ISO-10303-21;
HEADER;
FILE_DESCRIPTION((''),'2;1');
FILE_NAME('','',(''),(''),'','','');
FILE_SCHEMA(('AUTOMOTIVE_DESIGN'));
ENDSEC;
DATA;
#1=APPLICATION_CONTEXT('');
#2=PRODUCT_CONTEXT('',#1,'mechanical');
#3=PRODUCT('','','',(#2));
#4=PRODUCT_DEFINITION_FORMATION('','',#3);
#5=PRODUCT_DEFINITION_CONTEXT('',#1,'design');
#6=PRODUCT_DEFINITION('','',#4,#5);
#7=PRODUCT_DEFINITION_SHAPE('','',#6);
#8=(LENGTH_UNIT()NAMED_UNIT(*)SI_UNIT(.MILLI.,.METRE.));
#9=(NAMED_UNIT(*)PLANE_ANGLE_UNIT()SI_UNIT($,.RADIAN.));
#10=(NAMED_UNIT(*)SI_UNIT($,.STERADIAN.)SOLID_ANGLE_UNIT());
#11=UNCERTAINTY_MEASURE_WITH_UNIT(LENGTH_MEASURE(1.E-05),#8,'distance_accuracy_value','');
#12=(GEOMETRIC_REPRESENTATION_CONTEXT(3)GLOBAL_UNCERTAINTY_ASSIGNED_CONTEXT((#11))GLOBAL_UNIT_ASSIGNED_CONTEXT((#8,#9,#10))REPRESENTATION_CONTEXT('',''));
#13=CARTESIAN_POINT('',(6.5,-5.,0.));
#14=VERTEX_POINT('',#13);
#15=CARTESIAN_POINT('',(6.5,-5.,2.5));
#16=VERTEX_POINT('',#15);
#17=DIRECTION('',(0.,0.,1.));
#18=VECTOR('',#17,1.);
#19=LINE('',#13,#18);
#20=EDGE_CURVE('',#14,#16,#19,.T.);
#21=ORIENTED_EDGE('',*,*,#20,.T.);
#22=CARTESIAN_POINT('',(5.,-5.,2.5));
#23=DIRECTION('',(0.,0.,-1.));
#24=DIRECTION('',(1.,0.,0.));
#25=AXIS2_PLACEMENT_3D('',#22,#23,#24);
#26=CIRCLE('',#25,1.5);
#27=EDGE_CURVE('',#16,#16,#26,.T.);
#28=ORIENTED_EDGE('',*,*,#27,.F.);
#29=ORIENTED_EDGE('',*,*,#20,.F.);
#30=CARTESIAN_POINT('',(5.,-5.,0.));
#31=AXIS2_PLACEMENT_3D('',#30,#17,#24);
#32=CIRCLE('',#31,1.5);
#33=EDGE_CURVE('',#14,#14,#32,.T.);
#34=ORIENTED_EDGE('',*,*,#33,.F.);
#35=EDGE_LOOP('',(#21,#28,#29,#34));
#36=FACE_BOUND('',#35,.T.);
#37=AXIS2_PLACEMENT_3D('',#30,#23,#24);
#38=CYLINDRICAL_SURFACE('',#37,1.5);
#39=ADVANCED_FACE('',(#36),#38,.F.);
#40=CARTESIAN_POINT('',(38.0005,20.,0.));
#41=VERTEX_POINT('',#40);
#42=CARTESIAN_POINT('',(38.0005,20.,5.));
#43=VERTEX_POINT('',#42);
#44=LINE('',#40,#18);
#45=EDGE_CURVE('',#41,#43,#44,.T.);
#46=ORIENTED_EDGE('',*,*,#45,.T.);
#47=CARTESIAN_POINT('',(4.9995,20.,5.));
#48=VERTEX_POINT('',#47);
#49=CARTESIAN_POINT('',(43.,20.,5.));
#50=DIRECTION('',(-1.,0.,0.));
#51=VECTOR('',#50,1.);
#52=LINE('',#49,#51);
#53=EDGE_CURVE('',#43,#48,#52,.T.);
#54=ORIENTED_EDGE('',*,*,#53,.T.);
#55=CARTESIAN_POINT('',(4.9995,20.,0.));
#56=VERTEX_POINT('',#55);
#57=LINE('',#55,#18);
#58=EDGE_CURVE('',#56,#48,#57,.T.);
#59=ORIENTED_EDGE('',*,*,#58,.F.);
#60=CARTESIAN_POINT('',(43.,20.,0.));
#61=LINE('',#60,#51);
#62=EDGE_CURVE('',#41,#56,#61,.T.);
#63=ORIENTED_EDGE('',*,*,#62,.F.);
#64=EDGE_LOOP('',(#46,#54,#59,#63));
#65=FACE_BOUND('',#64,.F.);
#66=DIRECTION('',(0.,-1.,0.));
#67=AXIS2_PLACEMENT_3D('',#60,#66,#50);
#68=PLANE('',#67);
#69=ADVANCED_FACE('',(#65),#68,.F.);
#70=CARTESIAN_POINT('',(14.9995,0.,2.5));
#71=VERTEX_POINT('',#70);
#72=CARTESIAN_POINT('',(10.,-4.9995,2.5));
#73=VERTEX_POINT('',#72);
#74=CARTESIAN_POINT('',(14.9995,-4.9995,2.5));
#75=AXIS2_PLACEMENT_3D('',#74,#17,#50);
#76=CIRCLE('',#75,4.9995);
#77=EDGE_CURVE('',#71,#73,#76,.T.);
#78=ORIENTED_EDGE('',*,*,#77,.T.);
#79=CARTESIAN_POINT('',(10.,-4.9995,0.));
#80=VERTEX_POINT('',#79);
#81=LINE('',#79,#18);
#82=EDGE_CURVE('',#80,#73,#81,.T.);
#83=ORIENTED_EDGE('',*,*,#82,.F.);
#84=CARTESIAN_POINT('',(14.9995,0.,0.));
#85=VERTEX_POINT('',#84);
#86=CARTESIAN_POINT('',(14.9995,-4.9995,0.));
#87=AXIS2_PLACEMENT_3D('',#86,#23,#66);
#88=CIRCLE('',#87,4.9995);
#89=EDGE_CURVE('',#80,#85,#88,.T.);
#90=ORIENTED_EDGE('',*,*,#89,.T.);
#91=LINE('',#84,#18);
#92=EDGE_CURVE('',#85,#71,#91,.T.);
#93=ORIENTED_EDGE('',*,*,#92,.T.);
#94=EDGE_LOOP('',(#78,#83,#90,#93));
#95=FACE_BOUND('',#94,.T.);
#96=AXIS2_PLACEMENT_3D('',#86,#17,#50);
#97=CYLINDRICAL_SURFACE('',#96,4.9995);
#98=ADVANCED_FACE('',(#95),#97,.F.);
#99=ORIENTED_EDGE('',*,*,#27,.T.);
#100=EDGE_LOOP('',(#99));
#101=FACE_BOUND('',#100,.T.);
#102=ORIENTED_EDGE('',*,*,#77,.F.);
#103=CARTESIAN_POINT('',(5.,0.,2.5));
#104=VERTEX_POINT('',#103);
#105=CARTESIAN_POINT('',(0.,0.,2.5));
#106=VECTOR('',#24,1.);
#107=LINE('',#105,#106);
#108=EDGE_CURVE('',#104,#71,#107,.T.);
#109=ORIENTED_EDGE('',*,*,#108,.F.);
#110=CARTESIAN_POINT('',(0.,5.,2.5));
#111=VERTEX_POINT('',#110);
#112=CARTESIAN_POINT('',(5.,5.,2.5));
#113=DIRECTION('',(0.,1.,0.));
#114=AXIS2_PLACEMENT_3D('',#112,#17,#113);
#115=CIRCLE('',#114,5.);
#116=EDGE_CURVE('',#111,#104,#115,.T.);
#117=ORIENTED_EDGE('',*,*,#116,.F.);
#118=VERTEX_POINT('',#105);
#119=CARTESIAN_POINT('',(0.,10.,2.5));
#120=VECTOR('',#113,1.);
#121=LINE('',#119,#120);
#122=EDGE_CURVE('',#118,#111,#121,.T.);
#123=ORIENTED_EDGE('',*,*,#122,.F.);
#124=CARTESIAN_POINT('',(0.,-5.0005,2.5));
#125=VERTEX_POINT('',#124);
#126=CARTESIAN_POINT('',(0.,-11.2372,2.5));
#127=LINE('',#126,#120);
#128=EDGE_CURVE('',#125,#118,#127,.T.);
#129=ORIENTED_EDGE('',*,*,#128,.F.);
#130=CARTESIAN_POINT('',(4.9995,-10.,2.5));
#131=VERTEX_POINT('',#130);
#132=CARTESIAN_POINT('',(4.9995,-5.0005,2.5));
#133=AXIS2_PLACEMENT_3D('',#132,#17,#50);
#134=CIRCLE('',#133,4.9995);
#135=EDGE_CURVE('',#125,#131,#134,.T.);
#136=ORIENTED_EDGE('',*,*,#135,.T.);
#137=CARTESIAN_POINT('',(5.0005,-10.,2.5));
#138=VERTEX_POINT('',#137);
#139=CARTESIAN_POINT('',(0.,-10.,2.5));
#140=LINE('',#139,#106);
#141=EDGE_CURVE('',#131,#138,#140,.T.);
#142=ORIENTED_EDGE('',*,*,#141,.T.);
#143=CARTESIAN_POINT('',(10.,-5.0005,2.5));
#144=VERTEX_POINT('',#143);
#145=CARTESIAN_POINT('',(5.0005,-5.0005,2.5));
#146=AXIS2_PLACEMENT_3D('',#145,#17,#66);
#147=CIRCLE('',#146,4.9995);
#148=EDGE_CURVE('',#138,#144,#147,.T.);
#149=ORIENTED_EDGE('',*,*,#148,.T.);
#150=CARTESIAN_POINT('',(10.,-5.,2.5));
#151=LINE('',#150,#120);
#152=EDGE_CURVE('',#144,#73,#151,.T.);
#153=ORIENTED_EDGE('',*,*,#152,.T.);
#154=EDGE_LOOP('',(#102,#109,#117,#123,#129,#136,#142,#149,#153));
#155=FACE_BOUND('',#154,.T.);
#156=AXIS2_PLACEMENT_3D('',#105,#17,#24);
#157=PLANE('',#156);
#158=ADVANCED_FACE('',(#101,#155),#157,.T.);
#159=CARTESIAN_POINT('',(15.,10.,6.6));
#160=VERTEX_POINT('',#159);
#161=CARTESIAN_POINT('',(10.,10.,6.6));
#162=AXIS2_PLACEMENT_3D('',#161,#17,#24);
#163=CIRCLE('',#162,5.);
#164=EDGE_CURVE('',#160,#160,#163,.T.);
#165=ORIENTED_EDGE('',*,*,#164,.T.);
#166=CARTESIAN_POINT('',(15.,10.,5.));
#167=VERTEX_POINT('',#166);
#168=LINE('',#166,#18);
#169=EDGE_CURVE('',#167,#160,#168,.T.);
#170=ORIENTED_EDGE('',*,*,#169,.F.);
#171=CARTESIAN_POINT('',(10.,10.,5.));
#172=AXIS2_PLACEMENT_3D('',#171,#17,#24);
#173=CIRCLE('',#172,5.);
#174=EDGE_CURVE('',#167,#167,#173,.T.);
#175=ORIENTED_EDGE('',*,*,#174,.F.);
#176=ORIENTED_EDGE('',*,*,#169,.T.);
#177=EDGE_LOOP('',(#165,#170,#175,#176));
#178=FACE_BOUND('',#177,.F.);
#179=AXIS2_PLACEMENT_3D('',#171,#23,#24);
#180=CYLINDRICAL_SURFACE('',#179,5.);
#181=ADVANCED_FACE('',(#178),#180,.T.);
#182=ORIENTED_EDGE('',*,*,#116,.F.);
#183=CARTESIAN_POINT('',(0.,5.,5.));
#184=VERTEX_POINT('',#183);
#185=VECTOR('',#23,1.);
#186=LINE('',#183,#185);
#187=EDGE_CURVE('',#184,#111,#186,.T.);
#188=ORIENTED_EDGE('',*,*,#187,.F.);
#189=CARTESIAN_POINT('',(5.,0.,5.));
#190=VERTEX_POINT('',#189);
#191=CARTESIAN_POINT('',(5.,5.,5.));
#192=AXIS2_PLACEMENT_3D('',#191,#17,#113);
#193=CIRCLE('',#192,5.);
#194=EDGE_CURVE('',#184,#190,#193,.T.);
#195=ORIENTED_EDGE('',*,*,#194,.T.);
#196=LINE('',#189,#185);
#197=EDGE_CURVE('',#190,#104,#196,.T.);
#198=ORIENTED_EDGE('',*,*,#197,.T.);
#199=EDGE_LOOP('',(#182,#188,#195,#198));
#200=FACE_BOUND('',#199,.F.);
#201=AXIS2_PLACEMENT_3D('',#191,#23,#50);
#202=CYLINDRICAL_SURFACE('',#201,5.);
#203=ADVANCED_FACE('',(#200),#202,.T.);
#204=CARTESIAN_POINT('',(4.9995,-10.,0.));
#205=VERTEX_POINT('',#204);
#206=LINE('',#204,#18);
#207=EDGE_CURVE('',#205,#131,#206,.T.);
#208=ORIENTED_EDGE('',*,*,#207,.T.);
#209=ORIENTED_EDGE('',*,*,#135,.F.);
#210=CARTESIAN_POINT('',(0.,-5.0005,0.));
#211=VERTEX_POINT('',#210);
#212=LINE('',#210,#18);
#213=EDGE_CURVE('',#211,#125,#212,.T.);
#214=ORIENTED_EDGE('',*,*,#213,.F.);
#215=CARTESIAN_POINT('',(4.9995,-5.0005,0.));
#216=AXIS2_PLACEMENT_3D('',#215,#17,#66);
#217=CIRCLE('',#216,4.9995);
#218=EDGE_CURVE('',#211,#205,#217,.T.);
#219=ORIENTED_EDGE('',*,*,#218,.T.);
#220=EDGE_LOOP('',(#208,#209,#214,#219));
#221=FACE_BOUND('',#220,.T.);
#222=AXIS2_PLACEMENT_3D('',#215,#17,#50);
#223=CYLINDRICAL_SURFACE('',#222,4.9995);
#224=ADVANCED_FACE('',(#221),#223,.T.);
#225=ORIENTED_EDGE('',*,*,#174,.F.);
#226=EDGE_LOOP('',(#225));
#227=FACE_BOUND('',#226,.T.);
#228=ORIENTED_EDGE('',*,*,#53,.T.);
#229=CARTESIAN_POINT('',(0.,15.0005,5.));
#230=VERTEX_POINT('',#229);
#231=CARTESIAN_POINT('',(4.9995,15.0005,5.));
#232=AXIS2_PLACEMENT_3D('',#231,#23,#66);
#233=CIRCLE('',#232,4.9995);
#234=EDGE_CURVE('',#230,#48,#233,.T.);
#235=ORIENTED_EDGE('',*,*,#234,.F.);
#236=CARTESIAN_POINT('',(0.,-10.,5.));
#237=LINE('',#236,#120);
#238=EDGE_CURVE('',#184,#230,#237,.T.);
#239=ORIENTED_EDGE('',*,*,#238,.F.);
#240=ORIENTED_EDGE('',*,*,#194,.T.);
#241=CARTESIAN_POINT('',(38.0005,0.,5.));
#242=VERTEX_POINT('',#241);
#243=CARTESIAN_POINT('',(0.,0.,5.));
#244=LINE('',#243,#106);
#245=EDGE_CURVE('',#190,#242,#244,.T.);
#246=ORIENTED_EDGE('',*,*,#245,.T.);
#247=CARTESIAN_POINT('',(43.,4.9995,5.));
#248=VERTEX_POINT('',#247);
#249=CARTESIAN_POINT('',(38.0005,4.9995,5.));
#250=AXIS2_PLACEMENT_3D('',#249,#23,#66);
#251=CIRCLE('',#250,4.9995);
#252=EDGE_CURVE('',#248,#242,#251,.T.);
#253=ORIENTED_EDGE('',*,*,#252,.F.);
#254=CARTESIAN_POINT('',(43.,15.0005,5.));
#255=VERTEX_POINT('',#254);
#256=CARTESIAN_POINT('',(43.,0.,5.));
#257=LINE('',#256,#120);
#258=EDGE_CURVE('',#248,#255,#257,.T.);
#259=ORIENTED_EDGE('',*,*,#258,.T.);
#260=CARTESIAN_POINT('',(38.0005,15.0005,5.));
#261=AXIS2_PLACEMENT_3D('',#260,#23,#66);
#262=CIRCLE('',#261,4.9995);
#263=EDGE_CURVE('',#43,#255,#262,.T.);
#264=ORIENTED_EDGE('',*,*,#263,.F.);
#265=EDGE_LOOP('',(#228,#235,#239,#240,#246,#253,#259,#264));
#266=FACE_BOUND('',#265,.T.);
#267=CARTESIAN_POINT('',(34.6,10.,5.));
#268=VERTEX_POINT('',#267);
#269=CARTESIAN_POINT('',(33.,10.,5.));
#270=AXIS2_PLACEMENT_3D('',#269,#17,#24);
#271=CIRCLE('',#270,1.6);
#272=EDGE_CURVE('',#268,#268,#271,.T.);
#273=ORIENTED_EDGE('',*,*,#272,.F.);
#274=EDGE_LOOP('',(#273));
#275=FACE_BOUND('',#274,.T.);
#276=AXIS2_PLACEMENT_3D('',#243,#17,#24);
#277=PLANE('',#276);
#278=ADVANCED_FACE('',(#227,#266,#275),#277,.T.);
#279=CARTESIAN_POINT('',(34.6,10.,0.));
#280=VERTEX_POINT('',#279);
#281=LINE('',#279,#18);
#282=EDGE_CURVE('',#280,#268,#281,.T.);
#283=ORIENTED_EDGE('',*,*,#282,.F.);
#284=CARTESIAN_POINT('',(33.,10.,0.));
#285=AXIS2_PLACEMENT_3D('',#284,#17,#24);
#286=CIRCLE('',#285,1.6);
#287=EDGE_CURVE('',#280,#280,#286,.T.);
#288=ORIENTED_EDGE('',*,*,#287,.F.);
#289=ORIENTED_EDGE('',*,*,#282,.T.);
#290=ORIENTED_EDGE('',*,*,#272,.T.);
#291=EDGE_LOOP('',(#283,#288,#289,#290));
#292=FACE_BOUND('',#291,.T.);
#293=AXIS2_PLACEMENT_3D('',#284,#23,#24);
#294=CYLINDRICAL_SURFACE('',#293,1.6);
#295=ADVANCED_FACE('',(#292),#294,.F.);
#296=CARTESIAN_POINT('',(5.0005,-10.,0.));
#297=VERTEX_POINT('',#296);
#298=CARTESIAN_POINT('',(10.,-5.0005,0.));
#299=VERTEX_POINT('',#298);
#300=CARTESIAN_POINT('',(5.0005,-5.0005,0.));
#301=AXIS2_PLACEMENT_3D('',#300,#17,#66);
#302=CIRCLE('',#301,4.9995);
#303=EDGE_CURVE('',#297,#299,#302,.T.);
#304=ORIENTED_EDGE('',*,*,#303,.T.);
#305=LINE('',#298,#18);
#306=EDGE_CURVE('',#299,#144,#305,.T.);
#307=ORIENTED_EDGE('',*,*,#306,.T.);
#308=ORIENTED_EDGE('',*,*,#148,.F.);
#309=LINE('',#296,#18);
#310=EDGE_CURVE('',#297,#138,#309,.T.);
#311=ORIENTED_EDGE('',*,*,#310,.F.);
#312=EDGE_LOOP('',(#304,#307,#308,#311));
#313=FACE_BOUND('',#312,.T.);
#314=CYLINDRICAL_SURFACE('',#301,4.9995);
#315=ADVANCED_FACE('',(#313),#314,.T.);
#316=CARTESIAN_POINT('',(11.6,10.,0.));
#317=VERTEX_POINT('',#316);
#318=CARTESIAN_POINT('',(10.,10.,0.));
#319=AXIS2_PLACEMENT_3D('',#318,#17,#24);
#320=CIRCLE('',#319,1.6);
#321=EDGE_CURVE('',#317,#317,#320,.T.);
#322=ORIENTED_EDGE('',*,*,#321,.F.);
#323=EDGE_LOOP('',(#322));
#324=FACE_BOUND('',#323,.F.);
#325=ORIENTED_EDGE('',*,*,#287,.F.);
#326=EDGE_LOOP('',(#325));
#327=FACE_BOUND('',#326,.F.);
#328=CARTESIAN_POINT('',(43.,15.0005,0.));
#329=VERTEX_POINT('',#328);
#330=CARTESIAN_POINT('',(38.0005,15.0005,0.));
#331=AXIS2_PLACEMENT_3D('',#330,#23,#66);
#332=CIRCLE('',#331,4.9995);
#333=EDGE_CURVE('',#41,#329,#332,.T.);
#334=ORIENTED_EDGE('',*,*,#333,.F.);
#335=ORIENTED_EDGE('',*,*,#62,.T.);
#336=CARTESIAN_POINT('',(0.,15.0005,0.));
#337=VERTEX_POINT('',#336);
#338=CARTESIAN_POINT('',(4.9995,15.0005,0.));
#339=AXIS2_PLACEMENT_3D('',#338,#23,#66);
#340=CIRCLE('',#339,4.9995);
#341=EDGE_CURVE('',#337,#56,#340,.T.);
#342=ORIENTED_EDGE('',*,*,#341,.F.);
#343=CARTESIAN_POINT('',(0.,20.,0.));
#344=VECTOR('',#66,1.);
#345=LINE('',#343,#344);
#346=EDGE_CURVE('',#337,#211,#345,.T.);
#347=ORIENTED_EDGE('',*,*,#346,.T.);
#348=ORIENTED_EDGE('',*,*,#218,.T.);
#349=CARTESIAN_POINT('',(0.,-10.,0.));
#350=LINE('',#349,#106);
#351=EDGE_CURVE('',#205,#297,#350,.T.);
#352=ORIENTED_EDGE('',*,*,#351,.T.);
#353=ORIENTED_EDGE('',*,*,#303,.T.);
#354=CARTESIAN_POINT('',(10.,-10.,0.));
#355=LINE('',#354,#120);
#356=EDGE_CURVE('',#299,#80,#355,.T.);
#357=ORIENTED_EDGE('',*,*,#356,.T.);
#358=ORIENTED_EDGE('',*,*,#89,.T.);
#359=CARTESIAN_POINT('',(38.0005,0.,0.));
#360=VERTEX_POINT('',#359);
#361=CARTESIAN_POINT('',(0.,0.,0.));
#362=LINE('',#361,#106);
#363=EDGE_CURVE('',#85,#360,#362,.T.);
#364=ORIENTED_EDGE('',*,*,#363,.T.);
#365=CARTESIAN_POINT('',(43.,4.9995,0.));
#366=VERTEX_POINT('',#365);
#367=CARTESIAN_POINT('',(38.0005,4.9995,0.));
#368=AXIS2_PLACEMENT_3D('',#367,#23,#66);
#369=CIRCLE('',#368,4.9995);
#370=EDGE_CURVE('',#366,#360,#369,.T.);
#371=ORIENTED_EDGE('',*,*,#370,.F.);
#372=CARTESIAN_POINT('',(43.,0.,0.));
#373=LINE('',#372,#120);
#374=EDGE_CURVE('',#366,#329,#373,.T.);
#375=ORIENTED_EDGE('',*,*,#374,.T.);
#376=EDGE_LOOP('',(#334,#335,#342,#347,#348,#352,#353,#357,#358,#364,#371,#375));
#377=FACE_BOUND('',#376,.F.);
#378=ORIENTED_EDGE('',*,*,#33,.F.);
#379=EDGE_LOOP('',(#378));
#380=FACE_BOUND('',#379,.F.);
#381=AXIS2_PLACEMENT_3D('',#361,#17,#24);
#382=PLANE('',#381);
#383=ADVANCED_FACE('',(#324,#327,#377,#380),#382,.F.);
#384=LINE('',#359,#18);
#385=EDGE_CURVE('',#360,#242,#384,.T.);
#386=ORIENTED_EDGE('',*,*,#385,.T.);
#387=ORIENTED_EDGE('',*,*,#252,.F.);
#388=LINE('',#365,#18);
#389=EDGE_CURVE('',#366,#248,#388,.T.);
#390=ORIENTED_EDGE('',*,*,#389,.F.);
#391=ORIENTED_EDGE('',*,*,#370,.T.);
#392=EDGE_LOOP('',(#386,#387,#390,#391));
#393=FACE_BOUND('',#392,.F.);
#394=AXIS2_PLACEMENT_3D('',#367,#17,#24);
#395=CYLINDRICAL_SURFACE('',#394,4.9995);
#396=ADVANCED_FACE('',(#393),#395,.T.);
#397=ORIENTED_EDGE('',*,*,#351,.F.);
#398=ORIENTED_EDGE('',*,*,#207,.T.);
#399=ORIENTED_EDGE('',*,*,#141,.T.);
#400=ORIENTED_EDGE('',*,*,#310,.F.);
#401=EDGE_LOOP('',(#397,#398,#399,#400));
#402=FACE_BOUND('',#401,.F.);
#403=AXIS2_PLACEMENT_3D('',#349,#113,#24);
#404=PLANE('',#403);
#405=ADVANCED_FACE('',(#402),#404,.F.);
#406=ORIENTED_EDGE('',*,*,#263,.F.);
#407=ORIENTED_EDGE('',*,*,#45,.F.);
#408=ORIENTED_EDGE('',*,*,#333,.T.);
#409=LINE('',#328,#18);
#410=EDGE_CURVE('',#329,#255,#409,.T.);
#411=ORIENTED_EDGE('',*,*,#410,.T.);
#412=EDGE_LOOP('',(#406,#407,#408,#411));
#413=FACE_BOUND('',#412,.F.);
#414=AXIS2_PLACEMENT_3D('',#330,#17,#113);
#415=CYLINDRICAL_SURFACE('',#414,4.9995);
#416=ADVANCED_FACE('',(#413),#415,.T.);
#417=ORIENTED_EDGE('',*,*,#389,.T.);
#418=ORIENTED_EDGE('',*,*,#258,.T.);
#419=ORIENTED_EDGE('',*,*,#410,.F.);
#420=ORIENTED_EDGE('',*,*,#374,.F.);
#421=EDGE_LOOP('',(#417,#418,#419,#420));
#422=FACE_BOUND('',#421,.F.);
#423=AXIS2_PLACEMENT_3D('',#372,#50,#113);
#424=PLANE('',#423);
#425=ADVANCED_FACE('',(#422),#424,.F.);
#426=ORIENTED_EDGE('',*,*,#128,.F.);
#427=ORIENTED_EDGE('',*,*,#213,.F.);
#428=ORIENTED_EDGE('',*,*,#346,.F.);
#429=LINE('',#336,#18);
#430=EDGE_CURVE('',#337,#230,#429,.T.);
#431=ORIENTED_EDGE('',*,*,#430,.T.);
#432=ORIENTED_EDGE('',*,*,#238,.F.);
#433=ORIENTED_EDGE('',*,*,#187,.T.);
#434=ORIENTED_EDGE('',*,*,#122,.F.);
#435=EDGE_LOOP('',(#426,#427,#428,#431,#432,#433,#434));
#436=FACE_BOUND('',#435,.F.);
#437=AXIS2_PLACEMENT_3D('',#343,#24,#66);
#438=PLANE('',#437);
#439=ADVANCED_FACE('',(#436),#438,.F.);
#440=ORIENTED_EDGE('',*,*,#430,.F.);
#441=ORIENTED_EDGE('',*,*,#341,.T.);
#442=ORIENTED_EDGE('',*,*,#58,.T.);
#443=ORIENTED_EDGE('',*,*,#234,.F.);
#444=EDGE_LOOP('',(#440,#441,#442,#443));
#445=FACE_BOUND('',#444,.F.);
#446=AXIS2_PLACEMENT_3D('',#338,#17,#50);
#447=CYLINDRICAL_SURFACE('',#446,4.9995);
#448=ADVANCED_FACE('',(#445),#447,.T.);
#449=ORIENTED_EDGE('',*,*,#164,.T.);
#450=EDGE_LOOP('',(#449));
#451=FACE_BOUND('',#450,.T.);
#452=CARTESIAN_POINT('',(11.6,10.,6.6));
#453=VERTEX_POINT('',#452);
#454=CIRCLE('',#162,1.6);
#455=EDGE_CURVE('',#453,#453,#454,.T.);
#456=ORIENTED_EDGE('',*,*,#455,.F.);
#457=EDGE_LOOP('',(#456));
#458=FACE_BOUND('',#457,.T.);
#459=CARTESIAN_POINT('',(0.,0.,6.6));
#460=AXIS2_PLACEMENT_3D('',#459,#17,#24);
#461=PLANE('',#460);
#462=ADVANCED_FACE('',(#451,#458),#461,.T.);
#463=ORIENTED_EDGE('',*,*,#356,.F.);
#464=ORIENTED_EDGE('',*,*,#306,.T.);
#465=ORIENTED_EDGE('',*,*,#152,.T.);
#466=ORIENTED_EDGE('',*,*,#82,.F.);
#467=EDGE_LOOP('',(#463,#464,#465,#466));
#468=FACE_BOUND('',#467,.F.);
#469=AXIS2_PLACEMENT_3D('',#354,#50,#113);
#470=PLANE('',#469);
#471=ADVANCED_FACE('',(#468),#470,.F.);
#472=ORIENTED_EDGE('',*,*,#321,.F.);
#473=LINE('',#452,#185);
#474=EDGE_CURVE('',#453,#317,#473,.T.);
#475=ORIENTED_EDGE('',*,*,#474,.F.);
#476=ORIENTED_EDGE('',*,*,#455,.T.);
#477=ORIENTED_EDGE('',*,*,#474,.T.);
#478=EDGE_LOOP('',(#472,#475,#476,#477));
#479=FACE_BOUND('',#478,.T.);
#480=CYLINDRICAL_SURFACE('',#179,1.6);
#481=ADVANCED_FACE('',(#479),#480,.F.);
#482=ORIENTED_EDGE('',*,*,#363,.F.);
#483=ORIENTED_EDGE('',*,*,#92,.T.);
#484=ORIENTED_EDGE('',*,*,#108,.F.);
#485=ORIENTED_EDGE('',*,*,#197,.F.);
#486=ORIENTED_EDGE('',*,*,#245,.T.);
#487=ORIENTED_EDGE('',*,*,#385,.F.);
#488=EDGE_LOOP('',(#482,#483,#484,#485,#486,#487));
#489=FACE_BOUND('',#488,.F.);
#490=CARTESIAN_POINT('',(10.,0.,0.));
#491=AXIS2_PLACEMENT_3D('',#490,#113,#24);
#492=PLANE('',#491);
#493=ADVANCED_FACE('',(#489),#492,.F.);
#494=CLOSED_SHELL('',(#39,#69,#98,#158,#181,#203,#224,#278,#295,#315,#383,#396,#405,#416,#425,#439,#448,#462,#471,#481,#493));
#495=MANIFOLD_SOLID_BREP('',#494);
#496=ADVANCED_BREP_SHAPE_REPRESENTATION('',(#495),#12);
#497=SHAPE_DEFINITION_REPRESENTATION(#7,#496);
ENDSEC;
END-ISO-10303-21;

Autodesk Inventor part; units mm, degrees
ref_plane "YZ Plane" through (0, 0, 0) normal (1, 0, 0) x (0, 1, 0)
ref_plane "XZ Plane" through (0, 0, 0) normal (0, 1, 0) x (-1, 0, 0)
ref_plane "XY Plane" through (0, 0, 0) normal (0, 0, 1) x (1, 0, 0)
sketch "Sketch1" plane through (0, 0, 0) normal (0, 0, 1) x (1, 0, 0)
  line L0 (0, 0) -> (43, 0)
  line L1 (43, 0) -> (43, 20)
  line L2 (43, 20) -> (0, 20)
  line L3 (0, 20) -> (0, 0)
  circle A0 centre (10, 10) radius 1.6
  circle A1 centre (33, 10) radius 1.6
  line L4 (0, -10) -> (10, -10)
  line L5 (10, -10) -> (10, 0)
  line L6 (10, 0) -> (0, 0)
  line L7 (0, 0) -> (0, -10)
  circle A2 centre (5, -5) radius 1.5
  point P0 (0, 10)
  point P1 (0, -5)
  point P2 (5, 0)
  dimension "d2" = 20
  dimension "d3" = 3.2
  dimension "d4" = 3.2
  dimension "d5" = 10
  dimension "d6" = 10
  dimension "d10" = 23
  dimension "d15" = 10
  dimension "d16" = 10
  dimension "d17" = 3
extrude "Extrusion1" add sketch "Sketch1" along normal blind 5
sketch "Sketch2" plane through (0, 0, 5) normal (0, 0, 1) x (1, 0, 0)
  circle A0 centre (10, 10) radius 1.6 projected
  circle A1 centre (10, 10) radius 5
  point P0 (0, 0)
  dimension "d11" = 10
extrude "Extrusion2" add sketch "Sketch2" along normal blind 1.6
fillet "Fillet2" radius 5 6 edges at (43, 20, 2.5) (43, 0, 2.5) (10, -10, 2.5) (0, -10, 2.5) (10, 0, 2.5) (0, 20, 2.5)
sketch "Sketch3" plane through (0, 0, 5) normal (0, 0, 1) x (1, 0, 0)
  line L0 (0, 0) -> (16.7828, 0)
  line L1 (16.7828, 0) -> (16.7828, -11.2372)
  line L2 (16.7828, -11.2372) -> (0, -11.2372)
  line L3 (0, -11.2372) -> (0, 0)
extrude "Extrusion3" cut sketch "Sketch3" against normal blind 2.5
fillet "Fillet3" radius 5 1 edges at (0, 0, 3.75)
properties part number "wheel tensioner"
